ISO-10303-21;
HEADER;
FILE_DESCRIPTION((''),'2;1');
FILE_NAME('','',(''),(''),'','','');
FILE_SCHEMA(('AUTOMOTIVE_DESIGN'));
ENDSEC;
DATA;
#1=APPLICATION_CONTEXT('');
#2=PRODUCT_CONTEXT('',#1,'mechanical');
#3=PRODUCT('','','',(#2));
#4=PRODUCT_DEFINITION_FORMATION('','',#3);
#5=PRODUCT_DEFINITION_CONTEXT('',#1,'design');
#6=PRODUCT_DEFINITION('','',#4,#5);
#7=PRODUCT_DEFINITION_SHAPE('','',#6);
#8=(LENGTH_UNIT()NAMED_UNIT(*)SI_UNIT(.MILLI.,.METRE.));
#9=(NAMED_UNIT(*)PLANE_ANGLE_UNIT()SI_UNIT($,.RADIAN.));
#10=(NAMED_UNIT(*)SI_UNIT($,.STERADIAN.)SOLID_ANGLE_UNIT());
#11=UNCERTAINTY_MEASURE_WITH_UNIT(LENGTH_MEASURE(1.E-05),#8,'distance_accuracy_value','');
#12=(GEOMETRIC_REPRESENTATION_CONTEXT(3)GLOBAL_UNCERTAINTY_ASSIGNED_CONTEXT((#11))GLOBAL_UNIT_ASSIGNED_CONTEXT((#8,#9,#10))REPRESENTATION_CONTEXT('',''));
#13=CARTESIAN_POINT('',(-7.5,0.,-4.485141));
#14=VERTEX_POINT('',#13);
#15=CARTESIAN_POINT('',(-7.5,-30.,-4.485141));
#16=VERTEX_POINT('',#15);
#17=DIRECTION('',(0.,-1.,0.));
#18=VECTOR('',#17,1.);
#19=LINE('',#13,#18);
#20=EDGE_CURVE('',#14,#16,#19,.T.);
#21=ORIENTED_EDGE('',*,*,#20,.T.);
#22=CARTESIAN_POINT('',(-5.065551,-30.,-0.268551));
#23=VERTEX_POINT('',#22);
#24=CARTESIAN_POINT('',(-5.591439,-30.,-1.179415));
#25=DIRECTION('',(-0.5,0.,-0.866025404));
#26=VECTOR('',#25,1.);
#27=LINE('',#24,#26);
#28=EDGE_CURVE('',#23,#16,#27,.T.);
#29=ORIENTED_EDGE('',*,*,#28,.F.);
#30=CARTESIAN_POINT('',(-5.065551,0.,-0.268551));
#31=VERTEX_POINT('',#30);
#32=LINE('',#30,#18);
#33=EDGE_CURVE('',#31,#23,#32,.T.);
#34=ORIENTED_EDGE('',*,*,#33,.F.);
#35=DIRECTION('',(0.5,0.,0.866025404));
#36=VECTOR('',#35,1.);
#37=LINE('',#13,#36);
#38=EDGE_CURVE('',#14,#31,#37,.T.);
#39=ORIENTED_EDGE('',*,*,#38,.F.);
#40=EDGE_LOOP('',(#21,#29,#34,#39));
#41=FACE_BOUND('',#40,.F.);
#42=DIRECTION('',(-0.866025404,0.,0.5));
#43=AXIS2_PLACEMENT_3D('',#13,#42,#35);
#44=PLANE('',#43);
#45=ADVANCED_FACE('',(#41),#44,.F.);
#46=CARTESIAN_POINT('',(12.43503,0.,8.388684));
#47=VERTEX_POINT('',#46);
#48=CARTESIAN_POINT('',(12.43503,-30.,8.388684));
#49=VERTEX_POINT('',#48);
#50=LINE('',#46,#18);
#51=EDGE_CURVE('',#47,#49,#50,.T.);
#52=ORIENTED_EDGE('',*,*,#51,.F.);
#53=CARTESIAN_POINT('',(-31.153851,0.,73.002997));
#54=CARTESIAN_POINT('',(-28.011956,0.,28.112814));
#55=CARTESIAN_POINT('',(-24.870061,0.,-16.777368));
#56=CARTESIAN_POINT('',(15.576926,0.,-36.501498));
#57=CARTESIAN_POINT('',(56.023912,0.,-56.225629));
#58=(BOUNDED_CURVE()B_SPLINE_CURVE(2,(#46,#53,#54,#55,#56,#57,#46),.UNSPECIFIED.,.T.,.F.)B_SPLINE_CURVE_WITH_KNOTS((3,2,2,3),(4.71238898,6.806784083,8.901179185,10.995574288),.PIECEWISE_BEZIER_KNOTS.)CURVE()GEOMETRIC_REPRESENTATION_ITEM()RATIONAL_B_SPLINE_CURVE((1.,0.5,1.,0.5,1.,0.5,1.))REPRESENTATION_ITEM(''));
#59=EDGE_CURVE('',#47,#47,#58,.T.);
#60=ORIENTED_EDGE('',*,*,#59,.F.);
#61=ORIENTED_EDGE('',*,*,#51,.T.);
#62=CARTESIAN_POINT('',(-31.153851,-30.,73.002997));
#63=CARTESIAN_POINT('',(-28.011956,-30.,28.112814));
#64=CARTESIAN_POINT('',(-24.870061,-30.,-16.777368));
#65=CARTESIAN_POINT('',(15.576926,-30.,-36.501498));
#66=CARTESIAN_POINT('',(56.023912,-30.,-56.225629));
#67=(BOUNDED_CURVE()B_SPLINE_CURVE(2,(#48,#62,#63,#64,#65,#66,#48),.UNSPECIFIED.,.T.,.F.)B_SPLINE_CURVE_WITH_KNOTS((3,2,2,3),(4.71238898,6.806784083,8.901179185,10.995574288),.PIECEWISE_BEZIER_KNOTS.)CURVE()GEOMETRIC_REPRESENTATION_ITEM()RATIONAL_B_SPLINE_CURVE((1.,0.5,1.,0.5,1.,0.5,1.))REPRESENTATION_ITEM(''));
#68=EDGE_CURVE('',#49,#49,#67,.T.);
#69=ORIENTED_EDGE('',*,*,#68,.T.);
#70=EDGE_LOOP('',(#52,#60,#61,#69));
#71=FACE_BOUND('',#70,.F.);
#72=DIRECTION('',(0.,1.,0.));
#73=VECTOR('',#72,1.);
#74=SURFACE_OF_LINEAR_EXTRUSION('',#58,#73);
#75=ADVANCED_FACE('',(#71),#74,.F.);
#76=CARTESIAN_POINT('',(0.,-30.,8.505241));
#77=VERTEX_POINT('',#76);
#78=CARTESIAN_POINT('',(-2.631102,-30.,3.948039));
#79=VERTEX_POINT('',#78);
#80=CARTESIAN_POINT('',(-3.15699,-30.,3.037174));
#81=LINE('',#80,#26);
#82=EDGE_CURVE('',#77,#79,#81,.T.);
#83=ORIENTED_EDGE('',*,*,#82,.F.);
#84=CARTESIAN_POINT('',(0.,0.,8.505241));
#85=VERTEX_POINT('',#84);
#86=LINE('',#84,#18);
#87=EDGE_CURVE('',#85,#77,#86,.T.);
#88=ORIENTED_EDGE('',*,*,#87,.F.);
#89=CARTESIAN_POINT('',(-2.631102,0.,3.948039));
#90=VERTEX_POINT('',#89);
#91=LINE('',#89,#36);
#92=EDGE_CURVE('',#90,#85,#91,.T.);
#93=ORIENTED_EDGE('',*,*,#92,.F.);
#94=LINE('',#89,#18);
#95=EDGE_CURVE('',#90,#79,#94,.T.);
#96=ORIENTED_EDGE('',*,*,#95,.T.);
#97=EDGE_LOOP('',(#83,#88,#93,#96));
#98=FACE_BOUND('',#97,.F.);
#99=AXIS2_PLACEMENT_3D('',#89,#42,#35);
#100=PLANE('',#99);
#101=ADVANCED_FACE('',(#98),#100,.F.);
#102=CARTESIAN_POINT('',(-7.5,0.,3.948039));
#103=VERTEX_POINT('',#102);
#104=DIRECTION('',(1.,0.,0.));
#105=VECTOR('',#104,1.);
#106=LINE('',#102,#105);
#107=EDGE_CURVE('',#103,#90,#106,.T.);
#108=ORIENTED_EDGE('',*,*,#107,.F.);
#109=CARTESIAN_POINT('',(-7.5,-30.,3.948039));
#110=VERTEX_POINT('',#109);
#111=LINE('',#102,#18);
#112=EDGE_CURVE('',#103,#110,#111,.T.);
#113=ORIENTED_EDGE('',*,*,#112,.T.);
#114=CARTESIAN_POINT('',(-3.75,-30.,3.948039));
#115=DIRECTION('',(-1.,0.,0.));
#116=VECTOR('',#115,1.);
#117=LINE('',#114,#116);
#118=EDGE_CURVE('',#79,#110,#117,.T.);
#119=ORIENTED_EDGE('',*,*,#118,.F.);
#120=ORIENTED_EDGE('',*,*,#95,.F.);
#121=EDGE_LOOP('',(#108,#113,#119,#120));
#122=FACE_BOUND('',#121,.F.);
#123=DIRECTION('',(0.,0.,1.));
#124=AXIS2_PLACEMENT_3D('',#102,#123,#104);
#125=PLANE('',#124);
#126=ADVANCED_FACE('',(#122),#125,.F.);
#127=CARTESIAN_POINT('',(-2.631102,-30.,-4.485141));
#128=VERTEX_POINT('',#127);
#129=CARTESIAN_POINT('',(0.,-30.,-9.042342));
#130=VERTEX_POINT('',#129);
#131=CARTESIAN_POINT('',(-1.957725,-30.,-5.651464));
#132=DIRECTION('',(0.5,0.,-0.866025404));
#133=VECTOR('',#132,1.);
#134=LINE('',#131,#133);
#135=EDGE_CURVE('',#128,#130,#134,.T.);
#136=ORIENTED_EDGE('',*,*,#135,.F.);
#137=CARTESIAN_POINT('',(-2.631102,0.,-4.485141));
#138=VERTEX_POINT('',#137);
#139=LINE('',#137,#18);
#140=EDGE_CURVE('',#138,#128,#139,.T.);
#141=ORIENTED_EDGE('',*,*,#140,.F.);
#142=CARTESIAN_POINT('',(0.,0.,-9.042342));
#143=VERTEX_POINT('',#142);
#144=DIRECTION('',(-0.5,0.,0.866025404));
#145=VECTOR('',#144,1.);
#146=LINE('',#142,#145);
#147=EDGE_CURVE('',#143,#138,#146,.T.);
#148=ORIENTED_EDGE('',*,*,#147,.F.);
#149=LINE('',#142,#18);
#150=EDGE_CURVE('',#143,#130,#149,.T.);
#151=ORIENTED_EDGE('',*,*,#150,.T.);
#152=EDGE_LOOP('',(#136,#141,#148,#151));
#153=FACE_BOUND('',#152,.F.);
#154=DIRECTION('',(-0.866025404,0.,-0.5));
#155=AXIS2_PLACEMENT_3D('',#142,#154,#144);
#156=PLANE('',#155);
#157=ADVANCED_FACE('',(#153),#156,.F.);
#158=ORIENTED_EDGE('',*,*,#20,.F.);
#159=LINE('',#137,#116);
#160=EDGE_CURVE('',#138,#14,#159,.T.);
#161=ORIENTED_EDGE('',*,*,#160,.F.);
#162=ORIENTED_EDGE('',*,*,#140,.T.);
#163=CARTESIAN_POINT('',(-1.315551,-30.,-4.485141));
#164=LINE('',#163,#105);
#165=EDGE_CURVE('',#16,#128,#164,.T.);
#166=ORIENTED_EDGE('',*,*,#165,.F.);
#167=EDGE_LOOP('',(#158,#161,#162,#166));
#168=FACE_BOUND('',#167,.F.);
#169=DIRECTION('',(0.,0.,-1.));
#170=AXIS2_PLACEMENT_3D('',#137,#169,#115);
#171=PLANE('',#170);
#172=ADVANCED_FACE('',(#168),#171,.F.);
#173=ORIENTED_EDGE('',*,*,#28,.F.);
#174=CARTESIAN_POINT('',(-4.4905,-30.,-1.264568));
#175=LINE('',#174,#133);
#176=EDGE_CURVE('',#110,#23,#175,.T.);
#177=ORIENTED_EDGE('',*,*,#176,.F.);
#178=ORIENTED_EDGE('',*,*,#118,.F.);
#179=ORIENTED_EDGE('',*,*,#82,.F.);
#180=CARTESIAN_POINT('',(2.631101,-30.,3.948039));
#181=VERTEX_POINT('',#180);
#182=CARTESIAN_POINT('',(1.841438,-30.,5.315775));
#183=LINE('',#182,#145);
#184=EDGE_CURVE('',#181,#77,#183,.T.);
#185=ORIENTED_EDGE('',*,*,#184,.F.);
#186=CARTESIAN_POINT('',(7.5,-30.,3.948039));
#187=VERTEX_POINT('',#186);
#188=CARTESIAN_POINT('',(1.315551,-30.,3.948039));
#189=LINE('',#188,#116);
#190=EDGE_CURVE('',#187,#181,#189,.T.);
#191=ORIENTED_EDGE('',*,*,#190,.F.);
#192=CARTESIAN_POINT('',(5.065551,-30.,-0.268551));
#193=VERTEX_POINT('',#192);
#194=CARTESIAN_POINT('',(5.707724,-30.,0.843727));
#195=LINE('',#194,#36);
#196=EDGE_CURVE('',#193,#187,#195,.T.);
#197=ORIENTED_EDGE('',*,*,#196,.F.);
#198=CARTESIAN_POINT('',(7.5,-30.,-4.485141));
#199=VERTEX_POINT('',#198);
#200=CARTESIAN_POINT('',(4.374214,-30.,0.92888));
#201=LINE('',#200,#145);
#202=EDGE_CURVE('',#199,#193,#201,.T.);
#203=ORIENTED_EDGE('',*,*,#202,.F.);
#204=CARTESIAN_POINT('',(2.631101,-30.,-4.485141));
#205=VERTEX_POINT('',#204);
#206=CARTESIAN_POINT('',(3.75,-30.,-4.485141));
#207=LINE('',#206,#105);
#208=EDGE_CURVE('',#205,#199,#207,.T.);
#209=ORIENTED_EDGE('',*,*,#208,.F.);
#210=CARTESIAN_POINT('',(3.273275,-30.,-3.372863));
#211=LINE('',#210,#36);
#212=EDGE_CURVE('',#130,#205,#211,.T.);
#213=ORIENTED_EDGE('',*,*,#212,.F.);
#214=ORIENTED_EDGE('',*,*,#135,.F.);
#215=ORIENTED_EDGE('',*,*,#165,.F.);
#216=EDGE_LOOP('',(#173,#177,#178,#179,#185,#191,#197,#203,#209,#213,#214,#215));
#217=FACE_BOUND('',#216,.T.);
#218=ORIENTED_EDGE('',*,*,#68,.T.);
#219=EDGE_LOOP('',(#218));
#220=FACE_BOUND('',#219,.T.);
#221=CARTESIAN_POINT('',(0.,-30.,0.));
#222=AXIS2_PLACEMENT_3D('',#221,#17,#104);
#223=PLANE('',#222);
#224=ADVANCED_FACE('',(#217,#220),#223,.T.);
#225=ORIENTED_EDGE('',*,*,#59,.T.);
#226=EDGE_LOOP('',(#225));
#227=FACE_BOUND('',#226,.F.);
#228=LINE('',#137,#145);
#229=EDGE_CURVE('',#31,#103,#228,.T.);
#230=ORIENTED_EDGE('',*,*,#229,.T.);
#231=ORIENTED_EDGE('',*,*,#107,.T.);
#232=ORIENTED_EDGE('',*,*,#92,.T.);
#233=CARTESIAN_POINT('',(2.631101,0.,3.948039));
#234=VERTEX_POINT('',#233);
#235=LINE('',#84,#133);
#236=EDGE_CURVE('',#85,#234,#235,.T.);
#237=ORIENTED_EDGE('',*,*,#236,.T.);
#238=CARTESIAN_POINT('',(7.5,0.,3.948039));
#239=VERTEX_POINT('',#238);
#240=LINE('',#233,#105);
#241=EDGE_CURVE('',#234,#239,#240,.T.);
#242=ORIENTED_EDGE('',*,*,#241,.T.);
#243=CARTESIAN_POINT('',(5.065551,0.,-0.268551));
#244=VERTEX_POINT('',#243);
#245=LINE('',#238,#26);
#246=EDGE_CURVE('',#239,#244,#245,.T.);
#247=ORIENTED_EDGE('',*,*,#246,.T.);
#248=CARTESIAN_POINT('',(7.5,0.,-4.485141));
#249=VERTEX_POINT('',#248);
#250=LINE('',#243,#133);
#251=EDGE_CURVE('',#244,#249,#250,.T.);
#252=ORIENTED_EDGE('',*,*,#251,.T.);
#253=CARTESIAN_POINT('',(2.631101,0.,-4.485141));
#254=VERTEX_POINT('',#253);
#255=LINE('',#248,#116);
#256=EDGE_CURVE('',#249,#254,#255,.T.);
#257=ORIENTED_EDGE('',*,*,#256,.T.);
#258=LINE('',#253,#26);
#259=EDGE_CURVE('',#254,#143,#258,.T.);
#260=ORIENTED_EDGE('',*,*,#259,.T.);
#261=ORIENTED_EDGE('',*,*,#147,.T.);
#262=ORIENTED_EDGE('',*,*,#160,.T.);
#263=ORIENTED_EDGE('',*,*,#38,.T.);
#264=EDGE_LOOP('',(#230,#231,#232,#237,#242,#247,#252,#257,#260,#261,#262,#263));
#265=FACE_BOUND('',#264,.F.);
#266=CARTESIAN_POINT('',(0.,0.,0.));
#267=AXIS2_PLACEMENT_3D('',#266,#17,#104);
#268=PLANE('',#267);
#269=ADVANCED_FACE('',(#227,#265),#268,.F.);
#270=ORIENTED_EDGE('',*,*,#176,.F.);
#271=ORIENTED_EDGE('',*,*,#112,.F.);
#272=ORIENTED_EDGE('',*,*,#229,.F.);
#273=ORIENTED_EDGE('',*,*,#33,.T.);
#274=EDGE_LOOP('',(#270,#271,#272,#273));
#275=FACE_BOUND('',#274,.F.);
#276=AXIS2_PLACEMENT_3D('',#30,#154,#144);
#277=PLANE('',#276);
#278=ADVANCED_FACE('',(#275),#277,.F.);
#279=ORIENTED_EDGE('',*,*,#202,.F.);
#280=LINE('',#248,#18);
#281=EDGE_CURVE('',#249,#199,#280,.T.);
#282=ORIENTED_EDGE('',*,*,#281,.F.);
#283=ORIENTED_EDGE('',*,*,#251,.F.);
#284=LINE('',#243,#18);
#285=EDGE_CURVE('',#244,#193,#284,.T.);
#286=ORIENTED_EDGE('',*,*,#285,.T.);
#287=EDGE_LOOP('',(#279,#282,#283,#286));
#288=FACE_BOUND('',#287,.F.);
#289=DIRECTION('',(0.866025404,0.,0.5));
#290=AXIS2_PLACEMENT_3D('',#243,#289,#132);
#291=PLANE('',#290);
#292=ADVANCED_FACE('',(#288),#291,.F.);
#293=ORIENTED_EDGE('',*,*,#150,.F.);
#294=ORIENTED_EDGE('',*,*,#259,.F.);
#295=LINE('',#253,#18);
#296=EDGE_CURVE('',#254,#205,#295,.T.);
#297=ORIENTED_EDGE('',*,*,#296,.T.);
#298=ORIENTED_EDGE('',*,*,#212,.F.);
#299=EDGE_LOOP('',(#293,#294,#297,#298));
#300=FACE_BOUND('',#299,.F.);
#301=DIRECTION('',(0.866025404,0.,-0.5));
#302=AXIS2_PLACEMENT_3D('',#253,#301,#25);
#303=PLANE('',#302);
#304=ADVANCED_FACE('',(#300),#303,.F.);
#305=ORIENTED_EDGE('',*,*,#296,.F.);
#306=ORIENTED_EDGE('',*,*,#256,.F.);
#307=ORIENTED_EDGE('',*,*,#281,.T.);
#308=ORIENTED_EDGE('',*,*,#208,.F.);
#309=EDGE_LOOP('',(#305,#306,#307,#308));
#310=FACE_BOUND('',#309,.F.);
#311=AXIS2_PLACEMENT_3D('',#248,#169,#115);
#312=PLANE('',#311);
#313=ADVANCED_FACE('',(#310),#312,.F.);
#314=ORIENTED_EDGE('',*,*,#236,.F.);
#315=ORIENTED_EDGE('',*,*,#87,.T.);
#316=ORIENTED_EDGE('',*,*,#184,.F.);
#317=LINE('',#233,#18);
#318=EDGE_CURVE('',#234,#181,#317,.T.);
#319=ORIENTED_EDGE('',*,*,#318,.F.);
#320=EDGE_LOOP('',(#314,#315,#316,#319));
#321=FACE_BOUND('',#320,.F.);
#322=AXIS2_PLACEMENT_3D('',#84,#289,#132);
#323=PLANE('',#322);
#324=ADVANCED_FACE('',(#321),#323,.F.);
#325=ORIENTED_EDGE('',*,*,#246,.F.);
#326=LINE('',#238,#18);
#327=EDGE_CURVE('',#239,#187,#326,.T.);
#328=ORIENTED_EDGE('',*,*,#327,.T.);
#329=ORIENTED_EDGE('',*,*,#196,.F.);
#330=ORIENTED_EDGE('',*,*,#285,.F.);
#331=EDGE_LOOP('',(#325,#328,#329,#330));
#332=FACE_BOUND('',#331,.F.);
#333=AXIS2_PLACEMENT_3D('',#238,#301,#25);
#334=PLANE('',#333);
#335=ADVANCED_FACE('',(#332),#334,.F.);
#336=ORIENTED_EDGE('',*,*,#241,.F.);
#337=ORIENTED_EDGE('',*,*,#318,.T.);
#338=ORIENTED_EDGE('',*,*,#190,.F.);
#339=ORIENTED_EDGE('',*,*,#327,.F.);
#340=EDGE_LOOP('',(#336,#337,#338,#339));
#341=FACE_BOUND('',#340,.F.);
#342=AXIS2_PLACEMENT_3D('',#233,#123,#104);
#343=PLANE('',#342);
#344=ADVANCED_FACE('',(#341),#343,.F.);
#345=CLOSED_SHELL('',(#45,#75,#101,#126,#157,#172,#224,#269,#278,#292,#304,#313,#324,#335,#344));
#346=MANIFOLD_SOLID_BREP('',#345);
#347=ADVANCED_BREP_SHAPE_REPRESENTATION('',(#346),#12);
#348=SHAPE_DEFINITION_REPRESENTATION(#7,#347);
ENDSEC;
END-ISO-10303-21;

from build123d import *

# Parameters (mm, degrees)
F1_DEPTH = 30
F3_DEPTH = 30.0010001


with BuildPart() as f1:
    # F0 (on Front) → F1 (new body)
    with BuildSketch(Plane.XZ):
        with BuildLine():
            add(Edge.make_bspline(
                [(12.4350302813, 8.3886841581), (-31.15385123, 73.0029968805), (-28.0119558963, 28.1128142822), (-24.8700605625, -16.7773683161), (15.576925615, -36.5014984403), (56.0239117925, -56.2256285644), (12.4350302813, 8.3886841581)],
                knots=[4.7123889804, 4.7123889804, 4.7123889804, 6.8067840828, 6.8067840828, 8.9011791852, 8.9011791852, 10.9955742876, 10.9955742876, 10.9955742876], degree=2, weights=[1, 0.5, 1, 0.5, 1, 0.5, 1]))
        make_face()
    extrude(amount=F1_DEPTH)

    # F2 (on face) → F3 (cut, through all)
    with BuildSketch(Plane(origin=(0, 0, 0), x_dir=(-1, 0, 0), z_dir=(0, 1, 0))):
        Polygon((-2.6311014825, 3.9480387642), (-7.4999998324, 3.9480387642), (-5.0655506575, -0.2685508952), align=None)
        Polygon((1.676e-07, 8.5052405022), (-2.6311014825, 3.9480387642), (2.6311018178, 3.9480387642), align=None)
        Polygon((2.6311018178, 3.9480387642), (-2.6311014825, 3.9480387642), (-5.0655506575, -0.2685508952), (-2.6311014825, -4.4851405546), (2.6311018178, -4.4851405546), (5.0655509927, -0.2685508952), align=None)
        Polygon((-2.6311014825, -4.4851405546), (-5.0655506575, -0.2685508952), (-7.4999998324, -4.4851405546), align=None)
        Polygon((7.5000001676, 3.9480387642), (2.6311018178, 3.9480387642), (5.0655509927, -0.2685508952), align=None)
        Polygon((2.6311018178, -4.4851405546), (-2.6311014825, -4.4851405546), (1.676e-07, -9.0423422926), align=None)
        Polygon((7.5000001676, -4.4851405546), (5.0655509927, -0.2685508952), (2.6311018178, -4.4851405546), align=None)
    extrude(amount=-F3_DEPTH, mode=Mode.SUBTRACT)


solid = f1.part
